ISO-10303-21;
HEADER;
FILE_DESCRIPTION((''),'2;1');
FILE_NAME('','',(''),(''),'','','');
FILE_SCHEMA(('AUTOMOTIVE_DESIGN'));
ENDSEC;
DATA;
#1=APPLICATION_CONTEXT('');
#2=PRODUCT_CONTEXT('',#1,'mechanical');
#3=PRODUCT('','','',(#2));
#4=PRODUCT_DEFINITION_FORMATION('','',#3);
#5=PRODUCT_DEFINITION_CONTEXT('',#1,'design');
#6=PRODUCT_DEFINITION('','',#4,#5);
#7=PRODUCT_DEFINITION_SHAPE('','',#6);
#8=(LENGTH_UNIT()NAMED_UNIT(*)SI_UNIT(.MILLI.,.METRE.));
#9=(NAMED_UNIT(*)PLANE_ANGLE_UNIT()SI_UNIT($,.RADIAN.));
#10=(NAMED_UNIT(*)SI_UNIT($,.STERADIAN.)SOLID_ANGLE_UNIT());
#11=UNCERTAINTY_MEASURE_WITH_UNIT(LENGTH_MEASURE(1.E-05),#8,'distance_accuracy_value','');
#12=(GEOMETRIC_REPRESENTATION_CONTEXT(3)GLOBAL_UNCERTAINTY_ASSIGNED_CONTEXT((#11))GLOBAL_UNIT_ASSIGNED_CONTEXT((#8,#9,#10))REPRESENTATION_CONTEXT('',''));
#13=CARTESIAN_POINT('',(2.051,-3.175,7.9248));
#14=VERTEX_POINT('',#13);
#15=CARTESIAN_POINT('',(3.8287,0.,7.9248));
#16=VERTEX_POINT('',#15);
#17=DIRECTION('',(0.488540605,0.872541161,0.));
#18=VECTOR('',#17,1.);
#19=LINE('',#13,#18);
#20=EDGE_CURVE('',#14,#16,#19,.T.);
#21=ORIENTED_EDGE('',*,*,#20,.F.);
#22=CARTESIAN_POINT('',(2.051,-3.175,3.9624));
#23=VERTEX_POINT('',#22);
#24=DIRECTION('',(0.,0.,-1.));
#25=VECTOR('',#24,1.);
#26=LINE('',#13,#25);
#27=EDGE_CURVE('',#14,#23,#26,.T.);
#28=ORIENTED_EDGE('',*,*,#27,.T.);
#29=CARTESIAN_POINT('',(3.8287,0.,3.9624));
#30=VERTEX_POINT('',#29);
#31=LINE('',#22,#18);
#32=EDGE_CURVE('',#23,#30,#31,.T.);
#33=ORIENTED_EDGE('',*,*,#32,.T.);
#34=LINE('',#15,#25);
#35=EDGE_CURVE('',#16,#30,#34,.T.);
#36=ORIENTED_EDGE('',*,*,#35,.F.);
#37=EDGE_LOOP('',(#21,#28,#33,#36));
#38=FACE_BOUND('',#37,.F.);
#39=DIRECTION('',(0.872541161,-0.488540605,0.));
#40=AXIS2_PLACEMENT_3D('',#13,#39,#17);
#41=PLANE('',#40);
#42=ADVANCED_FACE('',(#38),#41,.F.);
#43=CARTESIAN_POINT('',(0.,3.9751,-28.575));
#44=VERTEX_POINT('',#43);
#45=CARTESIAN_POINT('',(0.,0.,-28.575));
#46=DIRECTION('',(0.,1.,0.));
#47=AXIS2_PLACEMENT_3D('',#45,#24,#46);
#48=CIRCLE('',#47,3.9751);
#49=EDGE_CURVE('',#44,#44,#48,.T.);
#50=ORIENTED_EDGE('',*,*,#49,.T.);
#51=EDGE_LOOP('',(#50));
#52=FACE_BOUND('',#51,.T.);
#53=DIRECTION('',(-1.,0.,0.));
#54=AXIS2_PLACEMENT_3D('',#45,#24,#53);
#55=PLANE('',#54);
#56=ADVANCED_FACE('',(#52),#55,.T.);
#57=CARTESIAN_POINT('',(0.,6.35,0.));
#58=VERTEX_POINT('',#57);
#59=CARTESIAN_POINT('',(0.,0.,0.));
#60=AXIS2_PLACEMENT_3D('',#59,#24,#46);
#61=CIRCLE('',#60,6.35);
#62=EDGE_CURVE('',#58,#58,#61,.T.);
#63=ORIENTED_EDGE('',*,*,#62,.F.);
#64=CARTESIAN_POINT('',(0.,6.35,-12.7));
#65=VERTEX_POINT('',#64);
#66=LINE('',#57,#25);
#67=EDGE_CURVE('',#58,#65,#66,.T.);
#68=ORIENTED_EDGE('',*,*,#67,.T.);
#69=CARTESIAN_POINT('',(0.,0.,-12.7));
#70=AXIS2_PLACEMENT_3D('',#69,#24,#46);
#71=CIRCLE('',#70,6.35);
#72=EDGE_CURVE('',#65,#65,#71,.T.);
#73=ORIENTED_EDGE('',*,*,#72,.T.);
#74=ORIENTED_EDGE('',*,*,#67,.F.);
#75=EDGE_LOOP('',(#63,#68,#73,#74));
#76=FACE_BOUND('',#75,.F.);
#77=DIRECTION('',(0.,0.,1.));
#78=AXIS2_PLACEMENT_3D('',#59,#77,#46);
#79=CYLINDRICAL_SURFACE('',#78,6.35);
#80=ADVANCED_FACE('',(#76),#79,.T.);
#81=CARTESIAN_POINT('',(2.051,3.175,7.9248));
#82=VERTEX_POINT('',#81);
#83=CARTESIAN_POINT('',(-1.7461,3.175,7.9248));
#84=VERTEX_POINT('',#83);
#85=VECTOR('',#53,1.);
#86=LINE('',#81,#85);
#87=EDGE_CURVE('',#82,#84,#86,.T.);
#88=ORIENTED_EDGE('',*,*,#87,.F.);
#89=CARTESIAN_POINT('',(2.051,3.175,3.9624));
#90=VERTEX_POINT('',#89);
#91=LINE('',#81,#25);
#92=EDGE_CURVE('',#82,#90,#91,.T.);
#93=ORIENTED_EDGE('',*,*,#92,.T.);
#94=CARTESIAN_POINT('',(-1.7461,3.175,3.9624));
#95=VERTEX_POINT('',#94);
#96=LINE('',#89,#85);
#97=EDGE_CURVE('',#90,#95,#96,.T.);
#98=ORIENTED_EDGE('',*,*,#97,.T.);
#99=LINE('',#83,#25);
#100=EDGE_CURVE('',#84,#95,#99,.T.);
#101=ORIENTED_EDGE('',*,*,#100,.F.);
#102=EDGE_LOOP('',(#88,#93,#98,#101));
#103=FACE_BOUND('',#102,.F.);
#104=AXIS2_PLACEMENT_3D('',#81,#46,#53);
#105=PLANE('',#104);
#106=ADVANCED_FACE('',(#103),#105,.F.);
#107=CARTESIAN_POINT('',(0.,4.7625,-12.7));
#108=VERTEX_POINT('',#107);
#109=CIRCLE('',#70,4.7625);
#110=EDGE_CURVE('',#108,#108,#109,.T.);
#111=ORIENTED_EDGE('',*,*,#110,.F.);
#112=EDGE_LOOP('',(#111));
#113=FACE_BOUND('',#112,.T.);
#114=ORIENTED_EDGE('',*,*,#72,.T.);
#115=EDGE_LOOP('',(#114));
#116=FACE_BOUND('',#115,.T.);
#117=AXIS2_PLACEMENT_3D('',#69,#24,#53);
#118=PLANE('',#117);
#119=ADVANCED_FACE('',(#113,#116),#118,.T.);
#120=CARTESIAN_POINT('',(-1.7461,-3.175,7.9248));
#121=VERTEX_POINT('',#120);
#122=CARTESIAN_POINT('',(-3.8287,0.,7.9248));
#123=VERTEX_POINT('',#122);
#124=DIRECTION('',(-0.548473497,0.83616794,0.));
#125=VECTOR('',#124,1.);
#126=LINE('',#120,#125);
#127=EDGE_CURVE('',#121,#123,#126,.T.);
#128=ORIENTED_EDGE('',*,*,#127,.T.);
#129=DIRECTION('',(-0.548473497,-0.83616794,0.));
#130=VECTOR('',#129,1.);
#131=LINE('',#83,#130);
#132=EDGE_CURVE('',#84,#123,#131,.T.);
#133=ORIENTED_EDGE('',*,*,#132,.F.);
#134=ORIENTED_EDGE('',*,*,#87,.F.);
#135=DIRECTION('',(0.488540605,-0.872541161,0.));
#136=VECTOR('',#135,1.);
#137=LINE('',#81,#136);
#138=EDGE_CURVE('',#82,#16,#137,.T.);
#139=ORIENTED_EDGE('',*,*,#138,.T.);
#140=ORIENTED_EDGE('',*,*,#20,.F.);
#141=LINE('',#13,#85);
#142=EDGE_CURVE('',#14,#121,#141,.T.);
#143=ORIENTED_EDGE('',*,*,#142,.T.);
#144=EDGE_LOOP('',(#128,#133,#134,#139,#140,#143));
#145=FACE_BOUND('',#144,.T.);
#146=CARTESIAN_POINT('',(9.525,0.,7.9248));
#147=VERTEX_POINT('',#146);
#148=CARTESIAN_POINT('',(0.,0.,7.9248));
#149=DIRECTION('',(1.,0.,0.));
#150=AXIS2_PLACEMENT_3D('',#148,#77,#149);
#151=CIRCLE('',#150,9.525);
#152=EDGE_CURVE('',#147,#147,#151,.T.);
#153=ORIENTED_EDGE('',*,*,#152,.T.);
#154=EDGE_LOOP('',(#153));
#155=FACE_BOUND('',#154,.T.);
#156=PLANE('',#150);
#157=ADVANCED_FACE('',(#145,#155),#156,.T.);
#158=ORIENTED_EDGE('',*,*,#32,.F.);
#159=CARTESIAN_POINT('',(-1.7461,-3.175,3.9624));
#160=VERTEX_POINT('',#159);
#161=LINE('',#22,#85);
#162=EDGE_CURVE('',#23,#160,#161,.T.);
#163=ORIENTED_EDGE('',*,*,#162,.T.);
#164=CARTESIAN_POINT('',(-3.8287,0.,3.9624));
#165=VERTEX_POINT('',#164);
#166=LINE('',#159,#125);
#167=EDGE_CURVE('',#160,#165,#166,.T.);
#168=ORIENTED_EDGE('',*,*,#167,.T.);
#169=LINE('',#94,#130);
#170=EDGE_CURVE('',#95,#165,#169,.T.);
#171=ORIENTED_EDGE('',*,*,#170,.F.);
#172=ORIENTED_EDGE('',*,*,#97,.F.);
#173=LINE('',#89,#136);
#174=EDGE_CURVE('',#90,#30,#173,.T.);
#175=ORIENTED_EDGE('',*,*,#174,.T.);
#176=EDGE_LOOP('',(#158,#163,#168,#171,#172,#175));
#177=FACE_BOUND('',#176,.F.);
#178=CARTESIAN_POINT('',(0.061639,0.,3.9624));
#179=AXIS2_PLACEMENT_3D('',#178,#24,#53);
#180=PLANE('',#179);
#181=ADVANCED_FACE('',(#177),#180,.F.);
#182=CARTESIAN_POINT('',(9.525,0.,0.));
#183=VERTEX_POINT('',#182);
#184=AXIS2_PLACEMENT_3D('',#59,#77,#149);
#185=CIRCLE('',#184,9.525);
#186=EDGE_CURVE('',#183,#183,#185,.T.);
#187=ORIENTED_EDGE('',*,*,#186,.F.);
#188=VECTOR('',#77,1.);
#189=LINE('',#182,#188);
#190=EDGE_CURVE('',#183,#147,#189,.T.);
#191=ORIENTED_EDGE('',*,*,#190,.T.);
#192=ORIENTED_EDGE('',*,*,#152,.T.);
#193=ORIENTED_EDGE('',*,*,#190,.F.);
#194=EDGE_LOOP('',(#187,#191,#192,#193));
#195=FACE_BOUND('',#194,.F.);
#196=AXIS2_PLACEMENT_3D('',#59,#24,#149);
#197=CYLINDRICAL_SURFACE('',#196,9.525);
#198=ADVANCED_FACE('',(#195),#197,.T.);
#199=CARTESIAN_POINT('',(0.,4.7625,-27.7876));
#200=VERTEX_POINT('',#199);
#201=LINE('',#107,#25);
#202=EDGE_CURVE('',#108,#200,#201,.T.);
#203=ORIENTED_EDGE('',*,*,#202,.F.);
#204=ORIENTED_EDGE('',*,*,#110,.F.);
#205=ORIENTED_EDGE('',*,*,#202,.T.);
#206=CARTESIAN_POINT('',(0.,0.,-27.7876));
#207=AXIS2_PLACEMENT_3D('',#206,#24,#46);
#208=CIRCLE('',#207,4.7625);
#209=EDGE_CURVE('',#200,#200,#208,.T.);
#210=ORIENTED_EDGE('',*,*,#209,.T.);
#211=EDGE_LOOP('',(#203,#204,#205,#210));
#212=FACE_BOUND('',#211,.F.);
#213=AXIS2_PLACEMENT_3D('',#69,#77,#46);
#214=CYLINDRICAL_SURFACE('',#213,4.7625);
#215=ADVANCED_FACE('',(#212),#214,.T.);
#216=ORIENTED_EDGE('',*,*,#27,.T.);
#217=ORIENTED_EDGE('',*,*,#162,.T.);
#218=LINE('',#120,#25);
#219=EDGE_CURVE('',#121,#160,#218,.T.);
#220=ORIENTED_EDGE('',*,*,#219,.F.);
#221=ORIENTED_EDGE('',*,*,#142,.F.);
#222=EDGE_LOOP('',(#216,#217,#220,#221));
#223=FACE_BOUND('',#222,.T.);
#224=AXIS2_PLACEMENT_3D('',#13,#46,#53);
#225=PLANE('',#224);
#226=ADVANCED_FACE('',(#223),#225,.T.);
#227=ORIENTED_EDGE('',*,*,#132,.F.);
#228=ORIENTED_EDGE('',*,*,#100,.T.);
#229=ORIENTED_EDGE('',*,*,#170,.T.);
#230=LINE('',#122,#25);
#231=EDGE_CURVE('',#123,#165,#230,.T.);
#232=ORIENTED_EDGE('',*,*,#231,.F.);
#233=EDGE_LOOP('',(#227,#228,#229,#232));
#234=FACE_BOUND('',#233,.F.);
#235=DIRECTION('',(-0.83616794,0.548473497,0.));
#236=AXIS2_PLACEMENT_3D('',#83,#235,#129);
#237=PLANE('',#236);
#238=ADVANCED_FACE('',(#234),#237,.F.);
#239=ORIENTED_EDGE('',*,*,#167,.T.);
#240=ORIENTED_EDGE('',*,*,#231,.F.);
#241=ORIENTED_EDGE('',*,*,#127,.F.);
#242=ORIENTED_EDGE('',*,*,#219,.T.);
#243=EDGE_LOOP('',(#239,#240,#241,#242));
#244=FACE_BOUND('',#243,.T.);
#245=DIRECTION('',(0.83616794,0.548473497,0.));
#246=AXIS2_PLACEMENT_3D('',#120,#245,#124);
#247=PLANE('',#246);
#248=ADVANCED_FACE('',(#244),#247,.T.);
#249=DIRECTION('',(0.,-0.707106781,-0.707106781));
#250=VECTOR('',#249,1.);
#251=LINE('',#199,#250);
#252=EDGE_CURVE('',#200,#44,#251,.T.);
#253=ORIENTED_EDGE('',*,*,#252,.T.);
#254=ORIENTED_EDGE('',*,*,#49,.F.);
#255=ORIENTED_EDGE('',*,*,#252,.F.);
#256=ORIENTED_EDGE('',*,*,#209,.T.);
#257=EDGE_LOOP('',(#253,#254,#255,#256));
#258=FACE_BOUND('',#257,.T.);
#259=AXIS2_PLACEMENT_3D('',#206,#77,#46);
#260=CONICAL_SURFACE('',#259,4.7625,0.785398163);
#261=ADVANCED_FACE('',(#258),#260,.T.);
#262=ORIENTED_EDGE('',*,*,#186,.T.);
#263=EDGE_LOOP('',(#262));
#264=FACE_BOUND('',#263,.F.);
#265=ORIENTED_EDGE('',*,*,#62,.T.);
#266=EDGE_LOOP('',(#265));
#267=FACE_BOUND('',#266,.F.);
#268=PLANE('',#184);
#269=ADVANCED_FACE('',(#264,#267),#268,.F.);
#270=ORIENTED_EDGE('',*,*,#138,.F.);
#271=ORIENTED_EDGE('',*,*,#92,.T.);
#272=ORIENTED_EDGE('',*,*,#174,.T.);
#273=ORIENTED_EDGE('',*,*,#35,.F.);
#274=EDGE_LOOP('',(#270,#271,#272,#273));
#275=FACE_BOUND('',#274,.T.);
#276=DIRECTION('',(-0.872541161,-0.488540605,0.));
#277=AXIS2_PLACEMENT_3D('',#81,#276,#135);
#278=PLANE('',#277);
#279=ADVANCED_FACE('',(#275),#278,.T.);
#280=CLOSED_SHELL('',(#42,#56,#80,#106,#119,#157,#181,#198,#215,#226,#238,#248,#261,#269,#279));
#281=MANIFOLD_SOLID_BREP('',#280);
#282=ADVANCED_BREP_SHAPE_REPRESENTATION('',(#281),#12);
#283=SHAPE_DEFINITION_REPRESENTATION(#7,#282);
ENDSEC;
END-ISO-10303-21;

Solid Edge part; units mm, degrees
sketch "Sketch1" plane through (0, 0, 0) normal (0, 0, 1) x (1, 0, 0)
  circle A0 centre (0, 0) radius 9.525
  dimension "D1" = 19.05
extrude "Protrusion1" add sketch "Sketch1" along normal blind 7.9248
sketch "Sketch2" plane through (0, 0, 0) normal (0, 0, -1) x (0, 1, 0)
  circle A0 centre (0, 0) radius 6.35
  dimension "D1" = 12.7
extrude "Protrusion2" add sketch "Sketch2" along normal blind 12.7
sketch "Sketch3" plane through (0, 0, -12.7) normal (0, 0, -1) x (0, 1, 0)
  circle A0 centre (0, 0) radius 4.7625
  dimension "D1" = 9.525
extrude "Protrusion3" add sketch "Sketch3" along normal blind 15.875
sketch "Sketch4" plane through (0, 0, 7.9248) normal (0, 0, 1) x (0, 1, 0)
  line L0 (-3.175, 1.7461) -> (0, 3.8287)
  line L1 (-3.175, -2.051) -> (-3.175, 1.7461)
  line L2 (-3.175, -2.051) -> (0, -3.8287)
  line L3 (3.175, -2.051) -> (0, -3.8287)
  line L4 (3.175, -2.051) -> (3.175, 1.7461)
  line L5 (3.175, 1.7461) -> (0, 3.8287)
  dimension "D1" = 6.35
extrude "Cutout1" cut sketch "Sketch4" against normal blind 3.9624
chamfer "Chamfer1" distance 0.7874 angle 45 1 edges at (0, -4.7625, -28.575)
properties part number "55030020"
